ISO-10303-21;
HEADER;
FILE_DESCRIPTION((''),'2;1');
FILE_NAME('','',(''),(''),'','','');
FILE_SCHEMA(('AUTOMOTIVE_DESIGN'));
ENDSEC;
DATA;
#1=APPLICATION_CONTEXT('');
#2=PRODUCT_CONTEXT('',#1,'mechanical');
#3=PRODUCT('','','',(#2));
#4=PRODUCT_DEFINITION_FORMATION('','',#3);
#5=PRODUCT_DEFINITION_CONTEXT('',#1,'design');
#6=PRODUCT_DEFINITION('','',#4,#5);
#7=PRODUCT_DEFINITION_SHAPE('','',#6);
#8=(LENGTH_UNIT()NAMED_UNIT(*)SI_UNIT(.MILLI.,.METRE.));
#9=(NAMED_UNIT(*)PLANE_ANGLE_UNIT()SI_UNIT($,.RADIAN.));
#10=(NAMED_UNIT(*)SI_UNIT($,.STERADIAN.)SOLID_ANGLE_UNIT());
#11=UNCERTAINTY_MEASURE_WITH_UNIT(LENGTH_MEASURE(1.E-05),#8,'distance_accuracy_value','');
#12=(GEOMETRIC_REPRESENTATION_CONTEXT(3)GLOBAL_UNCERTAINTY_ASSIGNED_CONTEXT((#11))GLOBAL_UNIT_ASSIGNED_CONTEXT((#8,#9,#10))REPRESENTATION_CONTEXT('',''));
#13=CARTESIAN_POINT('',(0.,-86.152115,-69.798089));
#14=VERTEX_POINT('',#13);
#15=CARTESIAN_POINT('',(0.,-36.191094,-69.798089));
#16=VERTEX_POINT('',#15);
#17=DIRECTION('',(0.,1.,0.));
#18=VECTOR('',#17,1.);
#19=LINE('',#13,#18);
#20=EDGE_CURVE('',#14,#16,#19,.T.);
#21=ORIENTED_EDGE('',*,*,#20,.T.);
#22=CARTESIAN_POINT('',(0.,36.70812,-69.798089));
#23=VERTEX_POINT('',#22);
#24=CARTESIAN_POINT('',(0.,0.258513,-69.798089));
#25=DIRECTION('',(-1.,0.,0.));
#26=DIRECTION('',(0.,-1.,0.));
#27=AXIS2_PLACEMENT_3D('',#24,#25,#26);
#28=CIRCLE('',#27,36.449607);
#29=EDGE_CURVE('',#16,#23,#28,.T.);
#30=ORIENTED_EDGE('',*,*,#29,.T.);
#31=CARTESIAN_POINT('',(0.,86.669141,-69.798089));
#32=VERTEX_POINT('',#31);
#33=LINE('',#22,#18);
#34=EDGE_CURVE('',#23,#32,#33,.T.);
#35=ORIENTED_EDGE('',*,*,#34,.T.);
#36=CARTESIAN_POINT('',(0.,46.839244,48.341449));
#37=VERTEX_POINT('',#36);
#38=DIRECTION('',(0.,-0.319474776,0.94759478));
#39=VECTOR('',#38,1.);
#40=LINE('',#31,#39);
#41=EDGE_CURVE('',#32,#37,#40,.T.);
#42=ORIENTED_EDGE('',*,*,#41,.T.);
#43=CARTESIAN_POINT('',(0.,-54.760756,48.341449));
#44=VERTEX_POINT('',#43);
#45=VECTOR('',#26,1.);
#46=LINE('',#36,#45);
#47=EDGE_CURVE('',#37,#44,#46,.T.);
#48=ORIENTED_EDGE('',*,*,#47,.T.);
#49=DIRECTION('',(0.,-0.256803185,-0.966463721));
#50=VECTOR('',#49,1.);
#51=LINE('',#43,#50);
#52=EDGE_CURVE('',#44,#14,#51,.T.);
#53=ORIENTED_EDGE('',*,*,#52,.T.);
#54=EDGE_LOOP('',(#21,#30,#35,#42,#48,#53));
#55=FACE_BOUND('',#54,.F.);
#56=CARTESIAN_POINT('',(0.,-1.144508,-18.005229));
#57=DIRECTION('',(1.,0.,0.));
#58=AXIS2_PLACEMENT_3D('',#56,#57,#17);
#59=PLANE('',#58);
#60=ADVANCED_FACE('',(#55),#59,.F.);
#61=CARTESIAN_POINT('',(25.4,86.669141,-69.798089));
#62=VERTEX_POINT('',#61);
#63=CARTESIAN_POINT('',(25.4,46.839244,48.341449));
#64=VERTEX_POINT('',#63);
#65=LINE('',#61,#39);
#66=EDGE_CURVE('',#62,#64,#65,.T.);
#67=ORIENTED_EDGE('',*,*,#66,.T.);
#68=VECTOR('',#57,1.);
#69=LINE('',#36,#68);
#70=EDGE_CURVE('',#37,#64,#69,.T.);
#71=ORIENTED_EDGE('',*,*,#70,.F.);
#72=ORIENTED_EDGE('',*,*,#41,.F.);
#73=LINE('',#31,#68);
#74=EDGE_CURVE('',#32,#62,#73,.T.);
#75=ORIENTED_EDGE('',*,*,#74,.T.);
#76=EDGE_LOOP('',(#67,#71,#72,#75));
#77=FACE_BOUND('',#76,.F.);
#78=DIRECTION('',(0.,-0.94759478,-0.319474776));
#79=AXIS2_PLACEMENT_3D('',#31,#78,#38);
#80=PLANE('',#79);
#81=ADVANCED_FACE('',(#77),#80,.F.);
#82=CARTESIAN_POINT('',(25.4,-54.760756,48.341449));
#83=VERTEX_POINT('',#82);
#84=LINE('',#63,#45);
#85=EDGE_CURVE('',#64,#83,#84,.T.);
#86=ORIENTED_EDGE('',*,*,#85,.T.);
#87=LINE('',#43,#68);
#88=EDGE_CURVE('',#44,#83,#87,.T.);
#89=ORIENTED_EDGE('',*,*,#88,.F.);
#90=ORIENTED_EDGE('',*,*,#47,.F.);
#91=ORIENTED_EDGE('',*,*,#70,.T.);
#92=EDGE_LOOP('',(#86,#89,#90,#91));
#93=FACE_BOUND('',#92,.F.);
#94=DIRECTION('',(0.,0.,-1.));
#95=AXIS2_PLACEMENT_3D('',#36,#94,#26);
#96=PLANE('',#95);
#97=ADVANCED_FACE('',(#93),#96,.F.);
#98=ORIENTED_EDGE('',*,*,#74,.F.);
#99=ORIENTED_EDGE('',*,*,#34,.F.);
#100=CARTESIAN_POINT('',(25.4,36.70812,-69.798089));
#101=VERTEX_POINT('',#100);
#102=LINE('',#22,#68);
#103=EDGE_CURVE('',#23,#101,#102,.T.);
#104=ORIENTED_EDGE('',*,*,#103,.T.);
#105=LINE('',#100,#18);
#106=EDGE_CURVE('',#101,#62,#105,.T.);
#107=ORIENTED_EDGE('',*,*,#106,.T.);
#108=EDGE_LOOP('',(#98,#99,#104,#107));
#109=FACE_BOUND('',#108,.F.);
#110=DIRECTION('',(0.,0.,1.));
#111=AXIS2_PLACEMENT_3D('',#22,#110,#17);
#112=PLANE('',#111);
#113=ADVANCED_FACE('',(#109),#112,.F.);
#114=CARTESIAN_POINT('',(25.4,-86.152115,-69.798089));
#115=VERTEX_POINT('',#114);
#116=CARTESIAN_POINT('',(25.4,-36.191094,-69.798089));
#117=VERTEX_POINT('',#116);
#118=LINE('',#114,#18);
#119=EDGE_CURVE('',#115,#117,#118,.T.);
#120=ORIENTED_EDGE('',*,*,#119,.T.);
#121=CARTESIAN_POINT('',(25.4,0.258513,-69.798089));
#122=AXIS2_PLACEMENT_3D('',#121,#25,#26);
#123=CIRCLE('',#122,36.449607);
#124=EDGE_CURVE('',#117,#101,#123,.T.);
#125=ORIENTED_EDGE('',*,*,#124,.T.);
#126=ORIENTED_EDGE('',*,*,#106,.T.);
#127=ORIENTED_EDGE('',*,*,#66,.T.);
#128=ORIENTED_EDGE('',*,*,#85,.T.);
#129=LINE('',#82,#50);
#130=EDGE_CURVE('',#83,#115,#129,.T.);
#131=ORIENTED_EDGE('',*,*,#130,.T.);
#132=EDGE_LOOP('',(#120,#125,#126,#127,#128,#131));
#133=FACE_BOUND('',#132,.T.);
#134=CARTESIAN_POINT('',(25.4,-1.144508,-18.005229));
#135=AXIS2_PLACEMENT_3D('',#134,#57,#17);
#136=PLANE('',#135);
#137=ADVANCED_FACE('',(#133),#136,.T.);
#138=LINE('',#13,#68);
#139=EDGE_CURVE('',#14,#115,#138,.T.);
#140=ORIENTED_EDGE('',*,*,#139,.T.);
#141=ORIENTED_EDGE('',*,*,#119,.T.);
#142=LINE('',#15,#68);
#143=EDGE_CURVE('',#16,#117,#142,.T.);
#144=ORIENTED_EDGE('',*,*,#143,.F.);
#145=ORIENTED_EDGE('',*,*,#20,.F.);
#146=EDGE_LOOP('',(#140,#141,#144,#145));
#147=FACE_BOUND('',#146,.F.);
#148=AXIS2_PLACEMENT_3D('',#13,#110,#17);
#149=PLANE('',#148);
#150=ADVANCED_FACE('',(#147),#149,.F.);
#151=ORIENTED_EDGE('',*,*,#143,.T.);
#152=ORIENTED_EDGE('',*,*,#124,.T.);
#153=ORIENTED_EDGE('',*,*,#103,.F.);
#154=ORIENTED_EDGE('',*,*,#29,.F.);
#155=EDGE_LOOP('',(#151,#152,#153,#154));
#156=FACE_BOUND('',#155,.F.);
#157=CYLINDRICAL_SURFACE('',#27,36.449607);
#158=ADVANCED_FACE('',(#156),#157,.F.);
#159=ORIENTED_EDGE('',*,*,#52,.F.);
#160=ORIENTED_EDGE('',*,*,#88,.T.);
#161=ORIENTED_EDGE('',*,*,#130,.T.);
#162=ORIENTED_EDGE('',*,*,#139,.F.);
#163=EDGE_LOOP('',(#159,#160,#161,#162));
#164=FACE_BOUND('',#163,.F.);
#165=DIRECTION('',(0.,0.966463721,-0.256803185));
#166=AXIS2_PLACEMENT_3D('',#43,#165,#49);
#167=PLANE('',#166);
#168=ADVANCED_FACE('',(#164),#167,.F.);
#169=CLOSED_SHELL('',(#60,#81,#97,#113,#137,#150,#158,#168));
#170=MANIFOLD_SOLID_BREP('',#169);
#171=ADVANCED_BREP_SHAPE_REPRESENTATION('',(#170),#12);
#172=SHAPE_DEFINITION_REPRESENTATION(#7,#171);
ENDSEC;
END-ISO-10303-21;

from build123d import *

# Parameters (mm, degrees)
F1_DEPTH = 25.4


with BuildPart() as f1:
    # F0 (on Right) → F1 (new body)
    with BuildSketch(Plane.YZ):
        with BuildLine():
            Line((46.839244, 48.341449), (-54.760756, 48.341449))
            Line((-54.760756, 48.341449), (-86.152115, -69.798089))
            Line((-86.152115, -69.798089), (-36.191094, -69.798089))
            ThreePointArc((-36.191094, -69.798089), (0.258513, -33.348482), (36.70812, -69.798089))
            Line((36.70812, -69.798089), (86.669141, -69.798089))
            Line((86.669141, -69.798089), (46.839244, 48.341449))
        make_face()
    extrude(amount=F1_DEPTH)


solid = f1.part
